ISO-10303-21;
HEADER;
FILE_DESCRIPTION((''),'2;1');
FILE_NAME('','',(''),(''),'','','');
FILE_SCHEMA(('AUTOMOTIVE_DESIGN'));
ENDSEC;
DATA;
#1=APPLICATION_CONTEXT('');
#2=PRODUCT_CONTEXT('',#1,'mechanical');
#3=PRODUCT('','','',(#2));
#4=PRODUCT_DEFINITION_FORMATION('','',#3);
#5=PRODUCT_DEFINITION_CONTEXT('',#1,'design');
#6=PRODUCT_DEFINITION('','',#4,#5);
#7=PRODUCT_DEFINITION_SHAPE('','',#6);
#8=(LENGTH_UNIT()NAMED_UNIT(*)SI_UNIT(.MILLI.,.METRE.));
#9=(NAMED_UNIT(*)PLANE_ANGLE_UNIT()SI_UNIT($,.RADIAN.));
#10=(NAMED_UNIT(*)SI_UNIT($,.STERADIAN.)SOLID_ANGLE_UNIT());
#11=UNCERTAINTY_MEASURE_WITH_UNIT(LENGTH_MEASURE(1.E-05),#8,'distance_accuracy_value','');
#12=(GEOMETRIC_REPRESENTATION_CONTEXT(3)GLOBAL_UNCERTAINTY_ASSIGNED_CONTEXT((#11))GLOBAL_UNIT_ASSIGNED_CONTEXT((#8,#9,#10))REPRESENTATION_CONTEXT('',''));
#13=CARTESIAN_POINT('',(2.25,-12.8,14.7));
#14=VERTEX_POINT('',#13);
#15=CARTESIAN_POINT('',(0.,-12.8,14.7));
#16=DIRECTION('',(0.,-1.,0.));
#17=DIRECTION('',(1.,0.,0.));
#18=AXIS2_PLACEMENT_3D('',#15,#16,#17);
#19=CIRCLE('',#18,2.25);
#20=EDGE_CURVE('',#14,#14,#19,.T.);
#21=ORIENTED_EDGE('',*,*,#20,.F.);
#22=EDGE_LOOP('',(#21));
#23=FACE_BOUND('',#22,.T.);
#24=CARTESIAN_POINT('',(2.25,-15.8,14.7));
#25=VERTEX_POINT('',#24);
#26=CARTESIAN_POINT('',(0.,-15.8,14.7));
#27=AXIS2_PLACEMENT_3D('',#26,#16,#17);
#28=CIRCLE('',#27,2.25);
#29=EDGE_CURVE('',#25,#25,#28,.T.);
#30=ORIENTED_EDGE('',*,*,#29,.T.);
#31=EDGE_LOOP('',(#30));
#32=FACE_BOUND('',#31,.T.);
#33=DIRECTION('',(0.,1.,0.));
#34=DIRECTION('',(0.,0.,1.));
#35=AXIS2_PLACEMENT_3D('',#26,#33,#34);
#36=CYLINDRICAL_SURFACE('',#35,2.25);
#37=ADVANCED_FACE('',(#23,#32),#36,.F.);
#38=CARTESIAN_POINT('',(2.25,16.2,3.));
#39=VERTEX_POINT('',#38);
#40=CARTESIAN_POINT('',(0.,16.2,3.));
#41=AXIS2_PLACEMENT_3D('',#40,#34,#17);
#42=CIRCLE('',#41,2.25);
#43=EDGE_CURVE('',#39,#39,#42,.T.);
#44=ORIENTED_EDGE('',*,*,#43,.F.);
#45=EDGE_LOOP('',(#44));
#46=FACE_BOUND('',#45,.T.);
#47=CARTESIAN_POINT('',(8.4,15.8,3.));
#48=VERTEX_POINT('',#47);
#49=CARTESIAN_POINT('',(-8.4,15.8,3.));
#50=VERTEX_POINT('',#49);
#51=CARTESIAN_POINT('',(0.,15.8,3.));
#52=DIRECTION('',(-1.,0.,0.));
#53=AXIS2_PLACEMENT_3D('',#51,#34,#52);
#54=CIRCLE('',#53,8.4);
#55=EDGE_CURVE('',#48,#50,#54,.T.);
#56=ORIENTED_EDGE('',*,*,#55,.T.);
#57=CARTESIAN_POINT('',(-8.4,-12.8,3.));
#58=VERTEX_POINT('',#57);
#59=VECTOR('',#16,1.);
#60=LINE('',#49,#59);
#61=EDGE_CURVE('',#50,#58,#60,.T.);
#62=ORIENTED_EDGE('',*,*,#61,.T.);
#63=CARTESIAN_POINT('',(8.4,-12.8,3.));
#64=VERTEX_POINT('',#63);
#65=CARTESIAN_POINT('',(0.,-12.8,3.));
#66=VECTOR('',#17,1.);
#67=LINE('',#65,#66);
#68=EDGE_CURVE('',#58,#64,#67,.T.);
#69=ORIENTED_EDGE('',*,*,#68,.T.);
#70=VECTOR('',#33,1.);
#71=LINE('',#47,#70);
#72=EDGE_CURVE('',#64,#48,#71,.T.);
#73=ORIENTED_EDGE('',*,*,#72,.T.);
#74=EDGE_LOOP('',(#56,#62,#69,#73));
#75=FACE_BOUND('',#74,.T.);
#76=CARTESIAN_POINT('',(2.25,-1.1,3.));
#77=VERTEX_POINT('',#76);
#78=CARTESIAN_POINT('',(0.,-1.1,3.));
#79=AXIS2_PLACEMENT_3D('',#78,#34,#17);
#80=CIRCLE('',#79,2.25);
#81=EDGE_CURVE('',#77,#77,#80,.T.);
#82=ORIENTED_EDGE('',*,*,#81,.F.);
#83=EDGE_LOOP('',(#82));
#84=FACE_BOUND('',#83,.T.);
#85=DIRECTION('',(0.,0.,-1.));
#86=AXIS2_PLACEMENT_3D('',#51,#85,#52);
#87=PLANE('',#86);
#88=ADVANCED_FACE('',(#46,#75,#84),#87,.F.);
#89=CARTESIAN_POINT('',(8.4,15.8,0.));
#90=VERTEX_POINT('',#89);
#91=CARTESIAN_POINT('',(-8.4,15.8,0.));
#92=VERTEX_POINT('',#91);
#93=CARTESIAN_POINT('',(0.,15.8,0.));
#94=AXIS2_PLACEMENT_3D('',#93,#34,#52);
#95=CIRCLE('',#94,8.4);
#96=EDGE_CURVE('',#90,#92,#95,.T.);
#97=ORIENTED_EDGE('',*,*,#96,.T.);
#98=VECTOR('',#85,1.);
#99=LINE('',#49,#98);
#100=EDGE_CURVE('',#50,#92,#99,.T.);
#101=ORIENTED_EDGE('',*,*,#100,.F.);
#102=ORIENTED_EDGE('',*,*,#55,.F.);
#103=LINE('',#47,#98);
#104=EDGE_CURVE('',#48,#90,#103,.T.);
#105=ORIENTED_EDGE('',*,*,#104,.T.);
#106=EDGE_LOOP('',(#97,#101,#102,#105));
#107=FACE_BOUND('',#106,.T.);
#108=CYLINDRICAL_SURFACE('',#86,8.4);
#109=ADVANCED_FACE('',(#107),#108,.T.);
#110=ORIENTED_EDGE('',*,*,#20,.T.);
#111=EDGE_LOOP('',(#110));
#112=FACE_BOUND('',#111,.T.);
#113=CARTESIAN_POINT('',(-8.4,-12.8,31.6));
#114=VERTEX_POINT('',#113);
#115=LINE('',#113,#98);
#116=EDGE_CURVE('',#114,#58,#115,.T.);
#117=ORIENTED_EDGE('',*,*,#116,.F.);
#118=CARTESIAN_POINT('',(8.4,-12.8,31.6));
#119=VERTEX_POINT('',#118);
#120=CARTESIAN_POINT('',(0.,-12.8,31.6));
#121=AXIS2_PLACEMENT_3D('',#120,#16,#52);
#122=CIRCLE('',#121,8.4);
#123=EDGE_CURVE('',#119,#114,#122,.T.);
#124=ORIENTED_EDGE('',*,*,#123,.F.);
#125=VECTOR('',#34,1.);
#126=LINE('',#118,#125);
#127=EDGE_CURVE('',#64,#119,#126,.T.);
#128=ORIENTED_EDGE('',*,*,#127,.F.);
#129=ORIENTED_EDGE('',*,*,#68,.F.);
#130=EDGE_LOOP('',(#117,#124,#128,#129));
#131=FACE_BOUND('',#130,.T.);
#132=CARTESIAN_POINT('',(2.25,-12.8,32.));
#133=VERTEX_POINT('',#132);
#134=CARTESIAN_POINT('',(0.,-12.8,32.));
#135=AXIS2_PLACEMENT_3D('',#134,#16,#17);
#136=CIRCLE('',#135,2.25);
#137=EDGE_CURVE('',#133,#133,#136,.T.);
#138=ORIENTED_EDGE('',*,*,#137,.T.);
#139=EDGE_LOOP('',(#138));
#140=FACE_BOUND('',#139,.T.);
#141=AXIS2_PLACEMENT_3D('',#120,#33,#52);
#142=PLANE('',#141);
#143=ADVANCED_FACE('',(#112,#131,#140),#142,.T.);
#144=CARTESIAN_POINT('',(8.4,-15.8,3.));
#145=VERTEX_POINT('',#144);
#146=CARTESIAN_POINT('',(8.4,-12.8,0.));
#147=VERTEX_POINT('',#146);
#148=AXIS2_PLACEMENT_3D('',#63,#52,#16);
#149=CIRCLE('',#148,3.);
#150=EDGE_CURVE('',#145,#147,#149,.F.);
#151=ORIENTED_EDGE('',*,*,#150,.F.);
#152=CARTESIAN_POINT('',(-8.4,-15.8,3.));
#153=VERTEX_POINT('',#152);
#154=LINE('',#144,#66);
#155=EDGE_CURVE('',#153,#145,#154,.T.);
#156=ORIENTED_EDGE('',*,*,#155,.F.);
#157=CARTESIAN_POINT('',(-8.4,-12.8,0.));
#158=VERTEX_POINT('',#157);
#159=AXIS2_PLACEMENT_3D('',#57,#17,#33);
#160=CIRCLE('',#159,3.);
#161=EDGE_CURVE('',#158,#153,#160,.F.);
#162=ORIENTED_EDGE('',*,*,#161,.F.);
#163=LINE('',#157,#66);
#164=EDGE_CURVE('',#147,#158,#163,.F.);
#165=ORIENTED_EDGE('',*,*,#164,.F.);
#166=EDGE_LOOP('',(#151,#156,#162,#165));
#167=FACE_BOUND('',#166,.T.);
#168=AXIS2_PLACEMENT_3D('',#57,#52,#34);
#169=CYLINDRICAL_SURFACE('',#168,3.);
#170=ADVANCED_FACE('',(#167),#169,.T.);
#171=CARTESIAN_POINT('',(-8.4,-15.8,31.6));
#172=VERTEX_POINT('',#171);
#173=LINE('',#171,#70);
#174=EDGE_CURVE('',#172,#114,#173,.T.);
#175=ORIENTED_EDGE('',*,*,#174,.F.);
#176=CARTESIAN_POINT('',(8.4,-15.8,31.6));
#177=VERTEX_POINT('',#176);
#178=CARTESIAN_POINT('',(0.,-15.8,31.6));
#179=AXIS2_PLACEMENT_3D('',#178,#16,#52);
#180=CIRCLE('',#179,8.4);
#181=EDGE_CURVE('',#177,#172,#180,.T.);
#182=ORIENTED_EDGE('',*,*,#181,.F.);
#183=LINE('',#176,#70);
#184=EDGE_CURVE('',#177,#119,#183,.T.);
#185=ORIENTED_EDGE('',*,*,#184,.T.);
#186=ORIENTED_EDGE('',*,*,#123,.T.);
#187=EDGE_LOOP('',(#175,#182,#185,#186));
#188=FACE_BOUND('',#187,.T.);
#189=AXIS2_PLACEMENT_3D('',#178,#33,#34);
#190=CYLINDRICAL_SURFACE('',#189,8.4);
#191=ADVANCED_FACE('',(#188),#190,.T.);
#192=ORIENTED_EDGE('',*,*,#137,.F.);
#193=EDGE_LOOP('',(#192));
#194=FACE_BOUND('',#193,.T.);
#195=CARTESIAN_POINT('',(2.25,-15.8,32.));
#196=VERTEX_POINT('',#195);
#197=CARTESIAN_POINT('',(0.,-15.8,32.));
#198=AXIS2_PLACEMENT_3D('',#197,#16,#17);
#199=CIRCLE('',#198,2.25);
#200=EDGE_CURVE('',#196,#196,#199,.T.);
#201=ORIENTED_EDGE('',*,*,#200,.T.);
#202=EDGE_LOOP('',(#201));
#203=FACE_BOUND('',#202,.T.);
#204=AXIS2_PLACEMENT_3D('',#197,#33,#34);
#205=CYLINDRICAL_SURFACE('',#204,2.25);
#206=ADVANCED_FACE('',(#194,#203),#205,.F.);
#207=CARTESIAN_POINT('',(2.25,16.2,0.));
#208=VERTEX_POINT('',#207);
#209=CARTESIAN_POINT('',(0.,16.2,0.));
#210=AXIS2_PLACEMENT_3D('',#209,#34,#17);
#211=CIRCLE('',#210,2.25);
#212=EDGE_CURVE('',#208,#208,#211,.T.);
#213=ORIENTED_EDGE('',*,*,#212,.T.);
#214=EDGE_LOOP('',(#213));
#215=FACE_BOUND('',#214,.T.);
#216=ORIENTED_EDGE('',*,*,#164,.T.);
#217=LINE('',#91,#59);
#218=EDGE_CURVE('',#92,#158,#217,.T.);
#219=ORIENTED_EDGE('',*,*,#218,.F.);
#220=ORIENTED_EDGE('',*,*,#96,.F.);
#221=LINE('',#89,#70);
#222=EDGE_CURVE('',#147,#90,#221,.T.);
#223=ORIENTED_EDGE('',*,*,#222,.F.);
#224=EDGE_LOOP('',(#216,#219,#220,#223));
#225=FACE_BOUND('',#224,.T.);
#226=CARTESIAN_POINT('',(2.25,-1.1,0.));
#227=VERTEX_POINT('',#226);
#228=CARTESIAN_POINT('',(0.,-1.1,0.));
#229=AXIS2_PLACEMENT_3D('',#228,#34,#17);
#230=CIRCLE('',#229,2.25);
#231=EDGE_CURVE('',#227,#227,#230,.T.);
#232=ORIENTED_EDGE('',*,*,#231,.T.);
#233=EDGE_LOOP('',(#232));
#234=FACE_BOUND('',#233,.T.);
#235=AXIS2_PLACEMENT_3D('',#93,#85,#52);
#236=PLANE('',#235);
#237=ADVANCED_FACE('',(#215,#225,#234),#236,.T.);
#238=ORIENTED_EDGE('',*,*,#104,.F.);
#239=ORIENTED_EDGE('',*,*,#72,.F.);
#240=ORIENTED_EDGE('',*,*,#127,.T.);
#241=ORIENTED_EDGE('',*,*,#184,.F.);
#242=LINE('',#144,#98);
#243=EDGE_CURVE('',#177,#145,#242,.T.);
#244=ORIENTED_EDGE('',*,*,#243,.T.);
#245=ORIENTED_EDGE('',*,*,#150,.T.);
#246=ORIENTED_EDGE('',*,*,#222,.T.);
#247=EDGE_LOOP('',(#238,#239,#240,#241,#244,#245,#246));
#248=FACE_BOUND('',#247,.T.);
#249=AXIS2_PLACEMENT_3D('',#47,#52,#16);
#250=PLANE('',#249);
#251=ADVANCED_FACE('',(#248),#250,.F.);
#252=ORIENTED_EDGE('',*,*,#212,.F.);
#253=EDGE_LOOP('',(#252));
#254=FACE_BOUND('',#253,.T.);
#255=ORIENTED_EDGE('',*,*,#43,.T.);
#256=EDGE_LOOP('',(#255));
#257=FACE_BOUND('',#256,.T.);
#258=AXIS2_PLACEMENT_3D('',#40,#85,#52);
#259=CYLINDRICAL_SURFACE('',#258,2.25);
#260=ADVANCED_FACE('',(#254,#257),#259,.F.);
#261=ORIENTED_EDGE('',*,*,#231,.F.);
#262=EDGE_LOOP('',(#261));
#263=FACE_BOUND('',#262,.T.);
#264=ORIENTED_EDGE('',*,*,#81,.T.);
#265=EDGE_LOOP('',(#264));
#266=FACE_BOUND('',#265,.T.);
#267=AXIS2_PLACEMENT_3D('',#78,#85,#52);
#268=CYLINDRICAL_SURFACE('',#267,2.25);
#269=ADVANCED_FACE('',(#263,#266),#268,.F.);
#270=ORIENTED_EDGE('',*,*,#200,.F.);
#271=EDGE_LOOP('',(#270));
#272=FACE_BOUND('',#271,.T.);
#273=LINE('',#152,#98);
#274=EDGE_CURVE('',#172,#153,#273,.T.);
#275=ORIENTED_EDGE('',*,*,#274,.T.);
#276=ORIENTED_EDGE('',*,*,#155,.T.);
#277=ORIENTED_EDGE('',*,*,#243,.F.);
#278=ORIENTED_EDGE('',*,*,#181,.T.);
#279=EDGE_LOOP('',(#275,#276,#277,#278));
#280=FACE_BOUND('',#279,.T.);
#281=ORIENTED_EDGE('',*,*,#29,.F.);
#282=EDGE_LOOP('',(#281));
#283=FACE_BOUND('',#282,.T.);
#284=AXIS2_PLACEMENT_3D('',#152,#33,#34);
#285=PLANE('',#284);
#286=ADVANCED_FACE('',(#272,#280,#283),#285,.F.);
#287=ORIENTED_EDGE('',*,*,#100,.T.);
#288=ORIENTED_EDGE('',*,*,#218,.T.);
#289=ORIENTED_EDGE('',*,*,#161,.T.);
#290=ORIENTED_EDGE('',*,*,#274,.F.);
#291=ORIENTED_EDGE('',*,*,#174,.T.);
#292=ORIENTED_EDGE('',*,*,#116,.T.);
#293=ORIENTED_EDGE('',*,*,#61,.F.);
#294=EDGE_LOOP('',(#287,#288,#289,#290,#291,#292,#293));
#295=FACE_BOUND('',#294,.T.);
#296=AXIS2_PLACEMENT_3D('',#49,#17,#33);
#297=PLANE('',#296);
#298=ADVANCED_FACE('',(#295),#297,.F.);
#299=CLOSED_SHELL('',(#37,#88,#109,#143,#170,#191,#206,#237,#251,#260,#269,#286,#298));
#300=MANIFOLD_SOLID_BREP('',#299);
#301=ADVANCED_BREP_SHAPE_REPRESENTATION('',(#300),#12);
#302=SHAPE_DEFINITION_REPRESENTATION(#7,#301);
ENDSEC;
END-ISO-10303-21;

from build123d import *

# Parameters (mm, degrees)
SKETCH1_R           = 2.25
BOSS_EXTRUDE1_DEPTH = 3
CIRPATTERN1_COUNT   = 2
CIRPATTERN1_ANGLE   = 90
FILLET1_R           = 3


with BuildPart() as part:
    # Sketch1 → Boss-Extrude1 (new body)
    with BuildSketch(Plane.XY):
        with BuildLine():
            Line((-8.4, 15.8), (-8.4, -15.8))
            Line((-8.4, -15.8), (8.4, -15.8))
            Line((8.4, -15.8), (8.4, 15.8))
            ThreePointArc((8.4, 15.8), (0, 24.2), (-8.4, 15.8))
        make_face()
        with Locations((0, 16.2)):
            Circle(SKETCH1_R, mode=Mode.SUBTRACT)
        with Locations((0, -1.1)):
            Circle(SKETCH1_R, mode=Mode.SUBTRACT)
    boss_extrude1 = extrude(amount=BOSS_EXTRUDE1_DEPTH)

    # CirPattern1: Boss-Extrude1 ×2 about axis
    cirpattern1_axis = Axis((-9.24, -14.3, 1.5), (1, 0, 0))
    for i in range(1, CIRPATTERN1_COUNT):
        add(boss_extrude1.rotate(cirpattern1_axis, i * CIRPATTERN1_ANGLE / (CIRPATTERN1_COUNT - 1)))

    # Fillet1
    fillet1_edges = [part.edges().sort_by_distance(p)[0] for p in [
        (0, -15.8, 0),
    ]]
    fillet(fillet1_edges, radius=FILLET1_R)


solid = part.part
